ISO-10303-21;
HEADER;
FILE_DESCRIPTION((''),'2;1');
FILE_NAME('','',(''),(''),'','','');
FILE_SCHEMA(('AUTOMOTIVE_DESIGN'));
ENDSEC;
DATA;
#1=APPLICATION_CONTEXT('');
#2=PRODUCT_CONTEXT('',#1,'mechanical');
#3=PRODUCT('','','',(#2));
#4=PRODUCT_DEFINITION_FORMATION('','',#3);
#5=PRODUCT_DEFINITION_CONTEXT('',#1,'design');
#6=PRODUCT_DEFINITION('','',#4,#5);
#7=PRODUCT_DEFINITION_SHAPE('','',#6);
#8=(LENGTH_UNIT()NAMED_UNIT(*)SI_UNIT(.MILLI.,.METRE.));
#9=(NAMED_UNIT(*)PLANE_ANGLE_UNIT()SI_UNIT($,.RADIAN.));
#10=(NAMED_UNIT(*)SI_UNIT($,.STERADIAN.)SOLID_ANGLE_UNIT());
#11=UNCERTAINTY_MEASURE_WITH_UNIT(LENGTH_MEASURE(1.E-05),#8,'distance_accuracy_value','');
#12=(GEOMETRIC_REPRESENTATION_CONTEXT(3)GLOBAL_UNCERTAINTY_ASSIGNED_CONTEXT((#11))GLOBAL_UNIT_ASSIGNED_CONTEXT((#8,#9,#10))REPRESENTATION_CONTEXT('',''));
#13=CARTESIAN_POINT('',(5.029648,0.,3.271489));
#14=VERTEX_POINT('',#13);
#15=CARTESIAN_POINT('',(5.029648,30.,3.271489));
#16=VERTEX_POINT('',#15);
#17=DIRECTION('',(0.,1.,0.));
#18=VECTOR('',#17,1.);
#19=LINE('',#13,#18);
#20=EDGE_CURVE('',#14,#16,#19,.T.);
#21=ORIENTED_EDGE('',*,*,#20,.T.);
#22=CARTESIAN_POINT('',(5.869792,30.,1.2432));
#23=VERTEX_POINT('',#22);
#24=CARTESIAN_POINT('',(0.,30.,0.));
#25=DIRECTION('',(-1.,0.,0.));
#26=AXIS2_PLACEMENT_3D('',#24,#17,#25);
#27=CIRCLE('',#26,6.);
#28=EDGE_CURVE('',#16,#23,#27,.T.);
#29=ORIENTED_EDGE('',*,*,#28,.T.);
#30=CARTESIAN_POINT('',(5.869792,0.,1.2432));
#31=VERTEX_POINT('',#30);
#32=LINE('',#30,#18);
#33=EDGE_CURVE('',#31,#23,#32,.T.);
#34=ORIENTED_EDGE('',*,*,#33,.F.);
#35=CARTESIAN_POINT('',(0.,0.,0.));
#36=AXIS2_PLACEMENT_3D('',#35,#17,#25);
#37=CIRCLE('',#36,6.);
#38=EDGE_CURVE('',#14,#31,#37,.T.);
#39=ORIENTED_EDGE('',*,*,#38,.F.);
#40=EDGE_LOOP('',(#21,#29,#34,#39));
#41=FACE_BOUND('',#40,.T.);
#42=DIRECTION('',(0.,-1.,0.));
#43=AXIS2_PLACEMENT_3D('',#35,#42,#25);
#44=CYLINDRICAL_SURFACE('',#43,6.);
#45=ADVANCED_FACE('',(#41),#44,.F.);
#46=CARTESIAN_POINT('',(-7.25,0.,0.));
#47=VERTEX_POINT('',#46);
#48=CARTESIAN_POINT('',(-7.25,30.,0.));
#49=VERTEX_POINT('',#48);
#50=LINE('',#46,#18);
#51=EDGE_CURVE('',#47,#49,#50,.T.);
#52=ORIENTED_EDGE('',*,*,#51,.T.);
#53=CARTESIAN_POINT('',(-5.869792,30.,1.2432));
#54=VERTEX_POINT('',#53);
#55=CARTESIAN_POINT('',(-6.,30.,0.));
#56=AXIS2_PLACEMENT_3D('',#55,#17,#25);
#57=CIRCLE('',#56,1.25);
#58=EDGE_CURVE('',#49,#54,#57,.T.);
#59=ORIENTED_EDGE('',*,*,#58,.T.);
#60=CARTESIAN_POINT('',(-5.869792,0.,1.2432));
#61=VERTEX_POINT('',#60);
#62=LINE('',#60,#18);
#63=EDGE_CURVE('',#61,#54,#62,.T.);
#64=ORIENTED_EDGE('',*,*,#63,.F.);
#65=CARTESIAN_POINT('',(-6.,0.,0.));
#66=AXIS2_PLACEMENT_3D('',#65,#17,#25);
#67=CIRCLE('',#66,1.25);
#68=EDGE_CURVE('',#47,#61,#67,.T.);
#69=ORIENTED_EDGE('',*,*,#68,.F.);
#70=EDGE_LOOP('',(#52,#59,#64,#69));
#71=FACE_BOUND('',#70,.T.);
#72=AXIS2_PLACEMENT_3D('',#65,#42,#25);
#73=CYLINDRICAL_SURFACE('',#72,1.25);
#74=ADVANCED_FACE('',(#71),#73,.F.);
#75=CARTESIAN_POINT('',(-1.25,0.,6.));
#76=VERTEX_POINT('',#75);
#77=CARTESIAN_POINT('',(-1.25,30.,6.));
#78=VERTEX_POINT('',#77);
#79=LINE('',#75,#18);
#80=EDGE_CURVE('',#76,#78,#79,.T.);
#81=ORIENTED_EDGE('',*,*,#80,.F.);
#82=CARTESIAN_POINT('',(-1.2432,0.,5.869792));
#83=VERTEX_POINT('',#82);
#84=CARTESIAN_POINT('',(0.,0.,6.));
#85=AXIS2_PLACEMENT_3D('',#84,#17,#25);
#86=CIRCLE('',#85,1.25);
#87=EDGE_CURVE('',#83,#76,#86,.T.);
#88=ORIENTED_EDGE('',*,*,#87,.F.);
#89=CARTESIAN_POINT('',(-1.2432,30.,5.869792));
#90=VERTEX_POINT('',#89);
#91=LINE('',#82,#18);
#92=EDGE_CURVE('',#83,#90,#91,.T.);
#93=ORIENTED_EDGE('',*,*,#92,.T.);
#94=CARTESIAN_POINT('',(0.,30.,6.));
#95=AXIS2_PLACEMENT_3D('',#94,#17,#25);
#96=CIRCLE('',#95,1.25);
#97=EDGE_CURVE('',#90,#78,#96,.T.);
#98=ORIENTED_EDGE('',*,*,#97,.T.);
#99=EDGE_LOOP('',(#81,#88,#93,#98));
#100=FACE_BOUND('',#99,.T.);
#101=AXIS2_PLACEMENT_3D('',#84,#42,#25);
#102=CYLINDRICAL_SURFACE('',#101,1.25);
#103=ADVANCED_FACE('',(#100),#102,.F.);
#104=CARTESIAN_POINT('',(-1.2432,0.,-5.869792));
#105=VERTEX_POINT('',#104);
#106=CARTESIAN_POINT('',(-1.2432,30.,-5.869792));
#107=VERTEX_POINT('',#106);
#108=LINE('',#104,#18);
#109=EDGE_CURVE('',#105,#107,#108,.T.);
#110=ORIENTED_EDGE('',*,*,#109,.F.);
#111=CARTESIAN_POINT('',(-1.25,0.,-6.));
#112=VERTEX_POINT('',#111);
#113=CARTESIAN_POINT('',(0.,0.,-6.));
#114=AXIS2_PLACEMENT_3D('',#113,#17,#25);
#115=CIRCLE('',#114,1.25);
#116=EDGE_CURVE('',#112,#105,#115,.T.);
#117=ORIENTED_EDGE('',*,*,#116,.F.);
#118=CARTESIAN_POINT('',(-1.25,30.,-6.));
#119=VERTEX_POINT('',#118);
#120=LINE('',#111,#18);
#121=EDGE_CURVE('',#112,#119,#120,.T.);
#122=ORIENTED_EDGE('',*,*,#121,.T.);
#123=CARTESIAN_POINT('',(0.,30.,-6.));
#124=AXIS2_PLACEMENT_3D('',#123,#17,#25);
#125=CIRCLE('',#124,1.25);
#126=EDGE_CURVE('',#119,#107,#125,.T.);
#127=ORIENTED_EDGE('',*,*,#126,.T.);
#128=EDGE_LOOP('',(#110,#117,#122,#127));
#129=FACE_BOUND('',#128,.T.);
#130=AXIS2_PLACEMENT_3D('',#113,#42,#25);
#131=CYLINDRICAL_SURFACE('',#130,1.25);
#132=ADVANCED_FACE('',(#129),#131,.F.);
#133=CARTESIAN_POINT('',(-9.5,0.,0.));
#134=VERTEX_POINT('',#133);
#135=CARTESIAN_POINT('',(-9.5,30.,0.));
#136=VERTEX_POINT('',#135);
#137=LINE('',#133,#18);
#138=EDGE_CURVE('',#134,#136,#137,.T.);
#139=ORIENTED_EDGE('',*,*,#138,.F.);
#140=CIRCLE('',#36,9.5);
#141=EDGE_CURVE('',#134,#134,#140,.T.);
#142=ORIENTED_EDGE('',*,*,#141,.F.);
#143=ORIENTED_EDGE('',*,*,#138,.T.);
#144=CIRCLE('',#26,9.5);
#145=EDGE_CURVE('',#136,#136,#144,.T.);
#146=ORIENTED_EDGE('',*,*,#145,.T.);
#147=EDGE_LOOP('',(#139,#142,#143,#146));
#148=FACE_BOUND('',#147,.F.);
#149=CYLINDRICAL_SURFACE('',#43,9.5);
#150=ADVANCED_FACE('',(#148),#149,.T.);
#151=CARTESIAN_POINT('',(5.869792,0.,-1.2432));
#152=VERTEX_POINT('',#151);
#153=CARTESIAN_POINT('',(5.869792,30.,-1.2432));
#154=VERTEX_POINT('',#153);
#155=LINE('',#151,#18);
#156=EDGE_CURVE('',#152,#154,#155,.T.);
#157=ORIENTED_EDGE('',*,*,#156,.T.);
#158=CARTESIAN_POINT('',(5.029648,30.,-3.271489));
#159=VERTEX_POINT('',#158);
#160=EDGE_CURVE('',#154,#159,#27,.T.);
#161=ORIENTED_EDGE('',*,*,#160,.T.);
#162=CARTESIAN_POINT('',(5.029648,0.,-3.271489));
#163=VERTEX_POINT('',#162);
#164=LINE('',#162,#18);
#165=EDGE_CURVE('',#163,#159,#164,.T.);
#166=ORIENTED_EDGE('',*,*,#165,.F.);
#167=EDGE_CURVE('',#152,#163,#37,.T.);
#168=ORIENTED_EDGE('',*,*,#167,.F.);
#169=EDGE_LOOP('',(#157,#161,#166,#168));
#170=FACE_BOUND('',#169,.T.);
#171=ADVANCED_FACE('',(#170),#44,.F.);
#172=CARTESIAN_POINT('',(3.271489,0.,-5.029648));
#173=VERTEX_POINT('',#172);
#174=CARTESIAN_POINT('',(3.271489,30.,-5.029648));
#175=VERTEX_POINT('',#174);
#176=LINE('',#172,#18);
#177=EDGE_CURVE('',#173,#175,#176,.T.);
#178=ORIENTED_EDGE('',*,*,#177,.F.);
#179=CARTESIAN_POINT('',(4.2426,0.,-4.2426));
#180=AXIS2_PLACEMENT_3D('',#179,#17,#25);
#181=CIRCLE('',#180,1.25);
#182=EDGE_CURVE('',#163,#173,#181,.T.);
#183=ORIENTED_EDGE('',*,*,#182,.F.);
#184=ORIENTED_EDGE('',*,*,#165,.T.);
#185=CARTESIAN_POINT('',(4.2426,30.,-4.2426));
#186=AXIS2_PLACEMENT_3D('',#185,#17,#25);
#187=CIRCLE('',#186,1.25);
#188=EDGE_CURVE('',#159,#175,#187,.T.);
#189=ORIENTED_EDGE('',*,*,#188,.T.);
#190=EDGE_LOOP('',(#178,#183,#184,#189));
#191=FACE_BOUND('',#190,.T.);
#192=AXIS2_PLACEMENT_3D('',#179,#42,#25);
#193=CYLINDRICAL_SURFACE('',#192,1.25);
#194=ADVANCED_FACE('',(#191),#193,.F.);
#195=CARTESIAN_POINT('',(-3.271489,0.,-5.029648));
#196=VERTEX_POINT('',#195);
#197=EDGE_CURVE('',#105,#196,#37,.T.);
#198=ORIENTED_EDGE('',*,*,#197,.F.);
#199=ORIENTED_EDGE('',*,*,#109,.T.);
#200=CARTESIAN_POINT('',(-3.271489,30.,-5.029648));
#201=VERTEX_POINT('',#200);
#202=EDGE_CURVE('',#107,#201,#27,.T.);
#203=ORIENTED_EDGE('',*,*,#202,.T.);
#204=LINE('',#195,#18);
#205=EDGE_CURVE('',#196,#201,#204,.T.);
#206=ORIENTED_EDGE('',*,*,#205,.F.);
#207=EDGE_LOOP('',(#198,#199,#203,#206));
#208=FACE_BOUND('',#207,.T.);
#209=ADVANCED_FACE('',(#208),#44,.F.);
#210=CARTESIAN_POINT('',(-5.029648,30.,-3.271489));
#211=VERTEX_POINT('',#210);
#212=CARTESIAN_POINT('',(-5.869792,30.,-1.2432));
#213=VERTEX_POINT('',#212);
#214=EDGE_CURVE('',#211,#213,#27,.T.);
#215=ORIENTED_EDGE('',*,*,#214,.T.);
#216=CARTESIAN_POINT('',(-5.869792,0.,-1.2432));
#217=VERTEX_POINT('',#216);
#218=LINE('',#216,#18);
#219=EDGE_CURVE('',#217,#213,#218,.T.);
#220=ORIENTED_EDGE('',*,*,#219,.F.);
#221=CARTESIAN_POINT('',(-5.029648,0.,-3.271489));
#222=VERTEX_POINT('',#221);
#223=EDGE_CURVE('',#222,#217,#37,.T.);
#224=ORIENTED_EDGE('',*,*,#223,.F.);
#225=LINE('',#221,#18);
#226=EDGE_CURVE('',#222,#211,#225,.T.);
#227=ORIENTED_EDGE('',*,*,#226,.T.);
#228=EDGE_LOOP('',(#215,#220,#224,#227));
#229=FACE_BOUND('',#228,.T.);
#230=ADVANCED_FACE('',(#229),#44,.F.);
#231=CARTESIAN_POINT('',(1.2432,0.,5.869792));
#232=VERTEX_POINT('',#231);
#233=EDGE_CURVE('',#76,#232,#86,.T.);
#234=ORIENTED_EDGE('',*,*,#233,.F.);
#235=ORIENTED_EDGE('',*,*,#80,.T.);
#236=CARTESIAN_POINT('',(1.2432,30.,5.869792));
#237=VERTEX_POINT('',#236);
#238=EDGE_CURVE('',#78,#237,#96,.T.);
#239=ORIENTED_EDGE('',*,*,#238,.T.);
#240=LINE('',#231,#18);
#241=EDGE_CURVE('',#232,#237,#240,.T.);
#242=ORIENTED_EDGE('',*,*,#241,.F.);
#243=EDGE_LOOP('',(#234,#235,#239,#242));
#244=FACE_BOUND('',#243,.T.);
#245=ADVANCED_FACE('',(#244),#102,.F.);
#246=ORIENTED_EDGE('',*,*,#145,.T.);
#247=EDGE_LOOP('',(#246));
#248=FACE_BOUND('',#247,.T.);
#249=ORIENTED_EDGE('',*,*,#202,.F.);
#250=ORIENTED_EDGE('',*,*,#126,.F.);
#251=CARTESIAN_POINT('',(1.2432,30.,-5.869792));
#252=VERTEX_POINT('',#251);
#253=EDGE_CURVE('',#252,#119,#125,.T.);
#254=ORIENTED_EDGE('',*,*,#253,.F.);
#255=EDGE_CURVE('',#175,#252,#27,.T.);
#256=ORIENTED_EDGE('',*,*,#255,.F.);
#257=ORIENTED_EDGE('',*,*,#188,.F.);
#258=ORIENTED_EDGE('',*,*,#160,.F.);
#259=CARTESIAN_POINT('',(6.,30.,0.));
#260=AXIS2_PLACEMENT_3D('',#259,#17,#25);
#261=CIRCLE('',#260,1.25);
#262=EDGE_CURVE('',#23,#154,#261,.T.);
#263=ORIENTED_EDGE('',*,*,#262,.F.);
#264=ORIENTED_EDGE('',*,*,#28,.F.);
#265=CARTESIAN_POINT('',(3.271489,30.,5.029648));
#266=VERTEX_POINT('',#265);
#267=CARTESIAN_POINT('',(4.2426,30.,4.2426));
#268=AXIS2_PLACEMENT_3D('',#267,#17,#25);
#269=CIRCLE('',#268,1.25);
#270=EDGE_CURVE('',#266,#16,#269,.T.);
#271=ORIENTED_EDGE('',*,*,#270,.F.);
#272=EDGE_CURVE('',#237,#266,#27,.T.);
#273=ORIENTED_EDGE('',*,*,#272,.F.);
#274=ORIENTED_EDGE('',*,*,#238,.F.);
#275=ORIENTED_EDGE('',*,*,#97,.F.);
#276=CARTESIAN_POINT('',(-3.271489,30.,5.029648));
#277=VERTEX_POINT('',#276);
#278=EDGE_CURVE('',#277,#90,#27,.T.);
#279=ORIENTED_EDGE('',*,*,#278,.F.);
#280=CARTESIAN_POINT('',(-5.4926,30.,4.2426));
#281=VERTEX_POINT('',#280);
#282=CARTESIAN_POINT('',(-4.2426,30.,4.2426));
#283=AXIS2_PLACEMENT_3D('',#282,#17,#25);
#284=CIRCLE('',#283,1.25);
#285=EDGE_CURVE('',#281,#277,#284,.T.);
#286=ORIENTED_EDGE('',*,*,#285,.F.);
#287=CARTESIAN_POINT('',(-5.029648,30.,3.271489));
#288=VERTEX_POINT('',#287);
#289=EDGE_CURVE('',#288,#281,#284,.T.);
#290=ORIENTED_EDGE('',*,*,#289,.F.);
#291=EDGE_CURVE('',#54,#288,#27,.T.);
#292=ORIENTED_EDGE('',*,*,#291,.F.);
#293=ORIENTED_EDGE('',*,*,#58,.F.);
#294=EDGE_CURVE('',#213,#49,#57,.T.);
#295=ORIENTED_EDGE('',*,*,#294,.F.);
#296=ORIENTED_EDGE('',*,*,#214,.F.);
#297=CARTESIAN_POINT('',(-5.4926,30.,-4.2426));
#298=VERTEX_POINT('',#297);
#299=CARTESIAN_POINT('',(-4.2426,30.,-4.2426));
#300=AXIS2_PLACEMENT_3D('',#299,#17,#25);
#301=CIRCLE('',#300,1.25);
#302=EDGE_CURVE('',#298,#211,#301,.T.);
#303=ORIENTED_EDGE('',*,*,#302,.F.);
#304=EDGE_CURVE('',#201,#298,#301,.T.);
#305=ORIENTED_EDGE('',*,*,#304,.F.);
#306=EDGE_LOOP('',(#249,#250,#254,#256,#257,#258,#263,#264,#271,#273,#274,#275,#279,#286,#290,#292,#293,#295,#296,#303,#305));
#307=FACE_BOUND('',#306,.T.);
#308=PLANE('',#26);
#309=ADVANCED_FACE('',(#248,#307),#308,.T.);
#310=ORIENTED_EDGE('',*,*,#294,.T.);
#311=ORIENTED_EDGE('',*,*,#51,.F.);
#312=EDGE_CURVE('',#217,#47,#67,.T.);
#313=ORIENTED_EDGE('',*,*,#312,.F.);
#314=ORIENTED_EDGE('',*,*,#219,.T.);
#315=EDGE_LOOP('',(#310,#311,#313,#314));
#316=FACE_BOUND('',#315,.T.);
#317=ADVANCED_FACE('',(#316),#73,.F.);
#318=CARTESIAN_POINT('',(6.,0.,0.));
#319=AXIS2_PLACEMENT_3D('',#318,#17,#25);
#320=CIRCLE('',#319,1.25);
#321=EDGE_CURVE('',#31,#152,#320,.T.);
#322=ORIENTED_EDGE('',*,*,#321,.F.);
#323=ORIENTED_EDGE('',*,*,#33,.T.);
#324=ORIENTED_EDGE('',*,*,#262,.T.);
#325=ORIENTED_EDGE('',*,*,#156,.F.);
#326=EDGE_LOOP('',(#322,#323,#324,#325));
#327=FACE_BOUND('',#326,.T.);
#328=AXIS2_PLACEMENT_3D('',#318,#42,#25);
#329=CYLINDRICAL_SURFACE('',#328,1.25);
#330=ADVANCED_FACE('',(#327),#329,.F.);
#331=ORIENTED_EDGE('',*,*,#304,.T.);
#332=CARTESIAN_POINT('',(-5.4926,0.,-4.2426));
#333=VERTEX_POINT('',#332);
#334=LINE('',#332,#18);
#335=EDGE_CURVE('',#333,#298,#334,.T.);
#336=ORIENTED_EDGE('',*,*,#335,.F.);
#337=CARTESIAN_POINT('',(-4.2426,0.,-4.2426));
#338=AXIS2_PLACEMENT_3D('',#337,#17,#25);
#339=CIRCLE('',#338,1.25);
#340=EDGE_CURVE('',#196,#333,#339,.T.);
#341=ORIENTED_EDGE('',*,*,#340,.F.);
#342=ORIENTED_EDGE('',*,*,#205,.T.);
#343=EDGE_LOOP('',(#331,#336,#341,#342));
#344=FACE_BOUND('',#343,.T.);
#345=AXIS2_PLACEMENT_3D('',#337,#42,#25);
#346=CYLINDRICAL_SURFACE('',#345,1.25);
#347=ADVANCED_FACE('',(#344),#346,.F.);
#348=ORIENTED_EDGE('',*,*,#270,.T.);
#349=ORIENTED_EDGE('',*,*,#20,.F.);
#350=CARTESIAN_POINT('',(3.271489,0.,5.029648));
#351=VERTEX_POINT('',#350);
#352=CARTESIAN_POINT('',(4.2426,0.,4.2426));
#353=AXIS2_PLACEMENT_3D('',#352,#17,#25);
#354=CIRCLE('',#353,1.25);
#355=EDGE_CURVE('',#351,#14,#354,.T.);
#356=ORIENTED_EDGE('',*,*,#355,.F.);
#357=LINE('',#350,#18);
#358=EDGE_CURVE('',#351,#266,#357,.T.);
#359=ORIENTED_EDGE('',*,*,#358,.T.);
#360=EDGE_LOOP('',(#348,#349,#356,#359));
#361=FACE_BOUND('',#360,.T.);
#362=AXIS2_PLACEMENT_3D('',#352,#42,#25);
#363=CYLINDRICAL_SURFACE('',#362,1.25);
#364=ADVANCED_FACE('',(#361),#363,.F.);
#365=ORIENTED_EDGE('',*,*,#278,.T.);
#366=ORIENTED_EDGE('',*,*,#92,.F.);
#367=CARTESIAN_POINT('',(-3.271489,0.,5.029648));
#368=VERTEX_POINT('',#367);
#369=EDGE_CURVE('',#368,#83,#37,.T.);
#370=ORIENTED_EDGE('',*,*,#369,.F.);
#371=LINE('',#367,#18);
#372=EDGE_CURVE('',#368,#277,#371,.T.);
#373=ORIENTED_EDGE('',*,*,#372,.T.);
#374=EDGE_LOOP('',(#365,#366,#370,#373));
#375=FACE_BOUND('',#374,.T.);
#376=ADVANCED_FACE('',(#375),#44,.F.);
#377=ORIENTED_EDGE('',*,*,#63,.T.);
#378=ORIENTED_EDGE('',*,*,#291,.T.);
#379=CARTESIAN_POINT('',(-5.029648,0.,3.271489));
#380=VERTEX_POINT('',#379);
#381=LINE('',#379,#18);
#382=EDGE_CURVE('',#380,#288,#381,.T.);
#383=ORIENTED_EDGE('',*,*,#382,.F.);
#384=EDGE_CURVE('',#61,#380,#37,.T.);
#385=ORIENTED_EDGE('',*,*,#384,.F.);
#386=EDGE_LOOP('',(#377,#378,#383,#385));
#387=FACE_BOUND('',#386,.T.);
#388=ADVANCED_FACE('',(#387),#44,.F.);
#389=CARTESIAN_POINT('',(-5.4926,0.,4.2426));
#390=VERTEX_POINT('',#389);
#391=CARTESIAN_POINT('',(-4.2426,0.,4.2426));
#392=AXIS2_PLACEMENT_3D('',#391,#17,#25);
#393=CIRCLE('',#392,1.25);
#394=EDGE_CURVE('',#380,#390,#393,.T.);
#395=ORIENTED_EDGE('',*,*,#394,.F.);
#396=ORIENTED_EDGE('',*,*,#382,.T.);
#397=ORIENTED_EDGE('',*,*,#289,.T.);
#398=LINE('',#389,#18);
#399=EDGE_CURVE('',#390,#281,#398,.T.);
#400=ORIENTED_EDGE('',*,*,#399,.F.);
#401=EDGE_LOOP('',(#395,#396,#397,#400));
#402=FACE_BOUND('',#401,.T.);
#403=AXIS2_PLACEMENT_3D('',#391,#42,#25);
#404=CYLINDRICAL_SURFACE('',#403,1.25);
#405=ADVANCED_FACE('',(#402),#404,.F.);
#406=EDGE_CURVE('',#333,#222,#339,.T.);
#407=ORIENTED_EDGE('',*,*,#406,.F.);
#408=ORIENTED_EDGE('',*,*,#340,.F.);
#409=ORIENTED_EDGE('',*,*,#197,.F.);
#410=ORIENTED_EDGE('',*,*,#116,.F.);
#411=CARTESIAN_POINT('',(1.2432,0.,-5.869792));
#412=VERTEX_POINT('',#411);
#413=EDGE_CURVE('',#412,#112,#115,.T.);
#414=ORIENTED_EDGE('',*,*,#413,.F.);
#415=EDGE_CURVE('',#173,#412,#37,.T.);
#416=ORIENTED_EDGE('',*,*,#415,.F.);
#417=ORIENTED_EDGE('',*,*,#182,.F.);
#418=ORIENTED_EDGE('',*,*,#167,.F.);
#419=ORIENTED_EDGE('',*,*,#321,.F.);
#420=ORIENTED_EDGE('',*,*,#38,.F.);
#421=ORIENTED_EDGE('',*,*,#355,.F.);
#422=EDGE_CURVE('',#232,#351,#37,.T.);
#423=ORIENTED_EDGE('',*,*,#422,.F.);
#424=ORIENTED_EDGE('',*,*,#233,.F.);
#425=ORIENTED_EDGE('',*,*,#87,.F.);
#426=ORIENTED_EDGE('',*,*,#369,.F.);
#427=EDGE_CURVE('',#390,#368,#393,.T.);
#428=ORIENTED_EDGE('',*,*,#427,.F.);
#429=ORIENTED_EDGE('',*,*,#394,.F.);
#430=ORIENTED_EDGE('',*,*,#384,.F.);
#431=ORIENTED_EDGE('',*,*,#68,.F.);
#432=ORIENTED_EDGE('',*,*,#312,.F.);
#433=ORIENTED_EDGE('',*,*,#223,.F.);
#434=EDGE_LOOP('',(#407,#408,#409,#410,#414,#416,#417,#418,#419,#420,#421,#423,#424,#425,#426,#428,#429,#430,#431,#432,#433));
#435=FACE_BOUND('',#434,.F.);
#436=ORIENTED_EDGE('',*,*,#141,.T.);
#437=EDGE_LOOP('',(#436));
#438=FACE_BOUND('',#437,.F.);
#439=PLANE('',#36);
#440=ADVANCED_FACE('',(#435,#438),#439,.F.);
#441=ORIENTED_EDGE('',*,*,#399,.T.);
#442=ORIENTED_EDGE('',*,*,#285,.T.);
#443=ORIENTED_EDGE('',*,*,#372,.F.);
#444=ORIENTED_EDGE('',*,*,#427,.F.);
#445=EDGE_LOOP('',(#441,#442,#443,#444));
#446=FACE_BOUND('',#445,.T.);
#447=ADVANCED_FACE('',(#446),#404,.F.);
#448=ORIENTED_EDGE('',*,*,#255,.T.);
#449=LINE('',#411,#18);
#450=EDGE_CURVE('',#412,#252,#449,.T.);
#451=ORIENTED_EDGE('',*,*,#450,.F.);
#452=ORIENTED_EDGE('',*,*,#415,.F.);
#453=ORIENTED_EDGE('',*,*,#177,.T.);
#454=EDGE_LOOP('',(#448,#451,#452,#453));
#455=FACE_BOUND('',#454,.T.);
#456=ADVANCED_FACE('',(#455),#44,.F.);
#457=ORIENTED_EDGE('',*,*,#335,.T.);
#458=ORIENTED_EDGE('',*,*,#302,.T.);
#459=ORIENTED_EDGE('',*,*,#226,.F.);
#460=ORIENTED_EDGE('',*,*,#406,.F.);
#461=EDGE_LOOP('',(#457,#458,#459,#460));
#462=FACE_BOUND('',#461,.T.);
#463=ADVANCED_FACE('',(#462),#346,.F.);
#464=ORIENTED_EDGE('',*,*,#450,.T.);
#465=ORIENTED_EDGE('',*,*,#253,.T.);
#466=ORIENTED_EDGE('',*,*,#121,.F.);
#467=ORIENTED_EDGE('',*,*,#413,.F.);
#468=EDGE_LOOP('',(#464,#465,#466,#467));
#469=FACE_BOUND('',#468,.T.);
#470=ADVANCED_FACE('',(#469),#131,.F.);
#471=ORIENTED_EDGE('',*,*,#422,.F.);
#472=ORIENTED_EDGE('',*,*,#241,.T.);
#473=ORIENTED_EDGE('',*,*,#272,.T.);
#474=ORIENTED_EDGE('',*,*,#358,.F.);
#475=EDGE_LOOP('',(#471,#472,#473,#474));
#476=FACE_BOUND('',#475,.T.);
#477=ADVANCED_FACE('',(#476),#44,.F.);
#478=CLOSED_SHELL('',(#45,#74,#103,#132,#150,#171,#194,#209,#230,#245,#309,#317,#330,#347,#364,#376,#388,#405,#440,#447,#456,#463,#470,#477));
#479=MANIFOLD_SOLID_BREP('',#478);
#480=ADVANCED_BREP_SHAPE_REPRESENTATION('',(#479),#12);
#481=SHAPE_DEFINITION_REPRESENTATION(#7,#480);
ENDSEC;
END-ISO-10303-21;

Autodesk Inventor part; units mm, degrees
ref_plane "YZ Plane" through (0, 0, 0) normal (1, 0, 0) x (0, 1, 0)
ref_plane "XZ Plane" through (0, 0, 0) normal (0, 1, 0) x (-1, 0, 0)
ref_plane "XY Plane" through (0, 0, 0) normal (0, 0, 1) x (1, 0, 0)
sketch "Sketch1" plane through (0, 0, 0) normal (0, 1, 0) x (-1, 0, 0)
  circle A0 centre (0, 0) radius 6
  circle A1 centre (0, 0) radius 9.5
  circle A2 centre (6, 0) radius 1.25
  line L0 (6, 0) -> (4.0311, 0)
  circle A3 centre (4.2426, 4.2426) radius 1.25
  circle A4 centre (0, 6) radius 1.25
  circle A5 centre (-4.2426, 4.2426) radius 1.25
  circle A6 centre (-6, 0) radius 1.25
  circle A7 centre (-4.2426, -4.2426) radius 1.25
  circle A8 centre (0, -6) radius 1.25
  circle A9 centre (4.2426, -4.2426) radius 1.25
  point P0 (5.8698, -1.2432)
  point P1 (5.8698, 1.2432)
  point P2 (5.0296, -3.2715)
  point P3 (3.2715, -5.0296)
  point P4 (1.2432, -5.8698)
  point P5 (-1.2432, -5.8698)
  point P6 (-3.2715, -5.0296)
  point P7 (-5.0296, -3.2715)
  point P8 (-5.8698, -1.2432)
  point P9 (-5.8698, 1.2432)
  point P10 (-5.0296, 3.2715)
  point P11 (-3.2715, 5.0296)
  point P12 (-1.2432, 5.8698)
  point P13 (1.2432, 5.8698)
  point P14 (3.2715, 5.0296)
  point P15 (5.0296, 3.2715)
  dimension "d1" = 12
  dimension "d0" = 19
  dimension "d2" = 2.5
  dimension "d14" = 6
  dimension "d15" = 2.25
  dimension "d18" = 360
  dimension "d20" = 4.2426
  dimension "d21" = 4.2426
  dimension "d22" = 6
extrude "Extrusion1" add sketch "Sketch1" along normal blind 30
properties part number "Bearing"
